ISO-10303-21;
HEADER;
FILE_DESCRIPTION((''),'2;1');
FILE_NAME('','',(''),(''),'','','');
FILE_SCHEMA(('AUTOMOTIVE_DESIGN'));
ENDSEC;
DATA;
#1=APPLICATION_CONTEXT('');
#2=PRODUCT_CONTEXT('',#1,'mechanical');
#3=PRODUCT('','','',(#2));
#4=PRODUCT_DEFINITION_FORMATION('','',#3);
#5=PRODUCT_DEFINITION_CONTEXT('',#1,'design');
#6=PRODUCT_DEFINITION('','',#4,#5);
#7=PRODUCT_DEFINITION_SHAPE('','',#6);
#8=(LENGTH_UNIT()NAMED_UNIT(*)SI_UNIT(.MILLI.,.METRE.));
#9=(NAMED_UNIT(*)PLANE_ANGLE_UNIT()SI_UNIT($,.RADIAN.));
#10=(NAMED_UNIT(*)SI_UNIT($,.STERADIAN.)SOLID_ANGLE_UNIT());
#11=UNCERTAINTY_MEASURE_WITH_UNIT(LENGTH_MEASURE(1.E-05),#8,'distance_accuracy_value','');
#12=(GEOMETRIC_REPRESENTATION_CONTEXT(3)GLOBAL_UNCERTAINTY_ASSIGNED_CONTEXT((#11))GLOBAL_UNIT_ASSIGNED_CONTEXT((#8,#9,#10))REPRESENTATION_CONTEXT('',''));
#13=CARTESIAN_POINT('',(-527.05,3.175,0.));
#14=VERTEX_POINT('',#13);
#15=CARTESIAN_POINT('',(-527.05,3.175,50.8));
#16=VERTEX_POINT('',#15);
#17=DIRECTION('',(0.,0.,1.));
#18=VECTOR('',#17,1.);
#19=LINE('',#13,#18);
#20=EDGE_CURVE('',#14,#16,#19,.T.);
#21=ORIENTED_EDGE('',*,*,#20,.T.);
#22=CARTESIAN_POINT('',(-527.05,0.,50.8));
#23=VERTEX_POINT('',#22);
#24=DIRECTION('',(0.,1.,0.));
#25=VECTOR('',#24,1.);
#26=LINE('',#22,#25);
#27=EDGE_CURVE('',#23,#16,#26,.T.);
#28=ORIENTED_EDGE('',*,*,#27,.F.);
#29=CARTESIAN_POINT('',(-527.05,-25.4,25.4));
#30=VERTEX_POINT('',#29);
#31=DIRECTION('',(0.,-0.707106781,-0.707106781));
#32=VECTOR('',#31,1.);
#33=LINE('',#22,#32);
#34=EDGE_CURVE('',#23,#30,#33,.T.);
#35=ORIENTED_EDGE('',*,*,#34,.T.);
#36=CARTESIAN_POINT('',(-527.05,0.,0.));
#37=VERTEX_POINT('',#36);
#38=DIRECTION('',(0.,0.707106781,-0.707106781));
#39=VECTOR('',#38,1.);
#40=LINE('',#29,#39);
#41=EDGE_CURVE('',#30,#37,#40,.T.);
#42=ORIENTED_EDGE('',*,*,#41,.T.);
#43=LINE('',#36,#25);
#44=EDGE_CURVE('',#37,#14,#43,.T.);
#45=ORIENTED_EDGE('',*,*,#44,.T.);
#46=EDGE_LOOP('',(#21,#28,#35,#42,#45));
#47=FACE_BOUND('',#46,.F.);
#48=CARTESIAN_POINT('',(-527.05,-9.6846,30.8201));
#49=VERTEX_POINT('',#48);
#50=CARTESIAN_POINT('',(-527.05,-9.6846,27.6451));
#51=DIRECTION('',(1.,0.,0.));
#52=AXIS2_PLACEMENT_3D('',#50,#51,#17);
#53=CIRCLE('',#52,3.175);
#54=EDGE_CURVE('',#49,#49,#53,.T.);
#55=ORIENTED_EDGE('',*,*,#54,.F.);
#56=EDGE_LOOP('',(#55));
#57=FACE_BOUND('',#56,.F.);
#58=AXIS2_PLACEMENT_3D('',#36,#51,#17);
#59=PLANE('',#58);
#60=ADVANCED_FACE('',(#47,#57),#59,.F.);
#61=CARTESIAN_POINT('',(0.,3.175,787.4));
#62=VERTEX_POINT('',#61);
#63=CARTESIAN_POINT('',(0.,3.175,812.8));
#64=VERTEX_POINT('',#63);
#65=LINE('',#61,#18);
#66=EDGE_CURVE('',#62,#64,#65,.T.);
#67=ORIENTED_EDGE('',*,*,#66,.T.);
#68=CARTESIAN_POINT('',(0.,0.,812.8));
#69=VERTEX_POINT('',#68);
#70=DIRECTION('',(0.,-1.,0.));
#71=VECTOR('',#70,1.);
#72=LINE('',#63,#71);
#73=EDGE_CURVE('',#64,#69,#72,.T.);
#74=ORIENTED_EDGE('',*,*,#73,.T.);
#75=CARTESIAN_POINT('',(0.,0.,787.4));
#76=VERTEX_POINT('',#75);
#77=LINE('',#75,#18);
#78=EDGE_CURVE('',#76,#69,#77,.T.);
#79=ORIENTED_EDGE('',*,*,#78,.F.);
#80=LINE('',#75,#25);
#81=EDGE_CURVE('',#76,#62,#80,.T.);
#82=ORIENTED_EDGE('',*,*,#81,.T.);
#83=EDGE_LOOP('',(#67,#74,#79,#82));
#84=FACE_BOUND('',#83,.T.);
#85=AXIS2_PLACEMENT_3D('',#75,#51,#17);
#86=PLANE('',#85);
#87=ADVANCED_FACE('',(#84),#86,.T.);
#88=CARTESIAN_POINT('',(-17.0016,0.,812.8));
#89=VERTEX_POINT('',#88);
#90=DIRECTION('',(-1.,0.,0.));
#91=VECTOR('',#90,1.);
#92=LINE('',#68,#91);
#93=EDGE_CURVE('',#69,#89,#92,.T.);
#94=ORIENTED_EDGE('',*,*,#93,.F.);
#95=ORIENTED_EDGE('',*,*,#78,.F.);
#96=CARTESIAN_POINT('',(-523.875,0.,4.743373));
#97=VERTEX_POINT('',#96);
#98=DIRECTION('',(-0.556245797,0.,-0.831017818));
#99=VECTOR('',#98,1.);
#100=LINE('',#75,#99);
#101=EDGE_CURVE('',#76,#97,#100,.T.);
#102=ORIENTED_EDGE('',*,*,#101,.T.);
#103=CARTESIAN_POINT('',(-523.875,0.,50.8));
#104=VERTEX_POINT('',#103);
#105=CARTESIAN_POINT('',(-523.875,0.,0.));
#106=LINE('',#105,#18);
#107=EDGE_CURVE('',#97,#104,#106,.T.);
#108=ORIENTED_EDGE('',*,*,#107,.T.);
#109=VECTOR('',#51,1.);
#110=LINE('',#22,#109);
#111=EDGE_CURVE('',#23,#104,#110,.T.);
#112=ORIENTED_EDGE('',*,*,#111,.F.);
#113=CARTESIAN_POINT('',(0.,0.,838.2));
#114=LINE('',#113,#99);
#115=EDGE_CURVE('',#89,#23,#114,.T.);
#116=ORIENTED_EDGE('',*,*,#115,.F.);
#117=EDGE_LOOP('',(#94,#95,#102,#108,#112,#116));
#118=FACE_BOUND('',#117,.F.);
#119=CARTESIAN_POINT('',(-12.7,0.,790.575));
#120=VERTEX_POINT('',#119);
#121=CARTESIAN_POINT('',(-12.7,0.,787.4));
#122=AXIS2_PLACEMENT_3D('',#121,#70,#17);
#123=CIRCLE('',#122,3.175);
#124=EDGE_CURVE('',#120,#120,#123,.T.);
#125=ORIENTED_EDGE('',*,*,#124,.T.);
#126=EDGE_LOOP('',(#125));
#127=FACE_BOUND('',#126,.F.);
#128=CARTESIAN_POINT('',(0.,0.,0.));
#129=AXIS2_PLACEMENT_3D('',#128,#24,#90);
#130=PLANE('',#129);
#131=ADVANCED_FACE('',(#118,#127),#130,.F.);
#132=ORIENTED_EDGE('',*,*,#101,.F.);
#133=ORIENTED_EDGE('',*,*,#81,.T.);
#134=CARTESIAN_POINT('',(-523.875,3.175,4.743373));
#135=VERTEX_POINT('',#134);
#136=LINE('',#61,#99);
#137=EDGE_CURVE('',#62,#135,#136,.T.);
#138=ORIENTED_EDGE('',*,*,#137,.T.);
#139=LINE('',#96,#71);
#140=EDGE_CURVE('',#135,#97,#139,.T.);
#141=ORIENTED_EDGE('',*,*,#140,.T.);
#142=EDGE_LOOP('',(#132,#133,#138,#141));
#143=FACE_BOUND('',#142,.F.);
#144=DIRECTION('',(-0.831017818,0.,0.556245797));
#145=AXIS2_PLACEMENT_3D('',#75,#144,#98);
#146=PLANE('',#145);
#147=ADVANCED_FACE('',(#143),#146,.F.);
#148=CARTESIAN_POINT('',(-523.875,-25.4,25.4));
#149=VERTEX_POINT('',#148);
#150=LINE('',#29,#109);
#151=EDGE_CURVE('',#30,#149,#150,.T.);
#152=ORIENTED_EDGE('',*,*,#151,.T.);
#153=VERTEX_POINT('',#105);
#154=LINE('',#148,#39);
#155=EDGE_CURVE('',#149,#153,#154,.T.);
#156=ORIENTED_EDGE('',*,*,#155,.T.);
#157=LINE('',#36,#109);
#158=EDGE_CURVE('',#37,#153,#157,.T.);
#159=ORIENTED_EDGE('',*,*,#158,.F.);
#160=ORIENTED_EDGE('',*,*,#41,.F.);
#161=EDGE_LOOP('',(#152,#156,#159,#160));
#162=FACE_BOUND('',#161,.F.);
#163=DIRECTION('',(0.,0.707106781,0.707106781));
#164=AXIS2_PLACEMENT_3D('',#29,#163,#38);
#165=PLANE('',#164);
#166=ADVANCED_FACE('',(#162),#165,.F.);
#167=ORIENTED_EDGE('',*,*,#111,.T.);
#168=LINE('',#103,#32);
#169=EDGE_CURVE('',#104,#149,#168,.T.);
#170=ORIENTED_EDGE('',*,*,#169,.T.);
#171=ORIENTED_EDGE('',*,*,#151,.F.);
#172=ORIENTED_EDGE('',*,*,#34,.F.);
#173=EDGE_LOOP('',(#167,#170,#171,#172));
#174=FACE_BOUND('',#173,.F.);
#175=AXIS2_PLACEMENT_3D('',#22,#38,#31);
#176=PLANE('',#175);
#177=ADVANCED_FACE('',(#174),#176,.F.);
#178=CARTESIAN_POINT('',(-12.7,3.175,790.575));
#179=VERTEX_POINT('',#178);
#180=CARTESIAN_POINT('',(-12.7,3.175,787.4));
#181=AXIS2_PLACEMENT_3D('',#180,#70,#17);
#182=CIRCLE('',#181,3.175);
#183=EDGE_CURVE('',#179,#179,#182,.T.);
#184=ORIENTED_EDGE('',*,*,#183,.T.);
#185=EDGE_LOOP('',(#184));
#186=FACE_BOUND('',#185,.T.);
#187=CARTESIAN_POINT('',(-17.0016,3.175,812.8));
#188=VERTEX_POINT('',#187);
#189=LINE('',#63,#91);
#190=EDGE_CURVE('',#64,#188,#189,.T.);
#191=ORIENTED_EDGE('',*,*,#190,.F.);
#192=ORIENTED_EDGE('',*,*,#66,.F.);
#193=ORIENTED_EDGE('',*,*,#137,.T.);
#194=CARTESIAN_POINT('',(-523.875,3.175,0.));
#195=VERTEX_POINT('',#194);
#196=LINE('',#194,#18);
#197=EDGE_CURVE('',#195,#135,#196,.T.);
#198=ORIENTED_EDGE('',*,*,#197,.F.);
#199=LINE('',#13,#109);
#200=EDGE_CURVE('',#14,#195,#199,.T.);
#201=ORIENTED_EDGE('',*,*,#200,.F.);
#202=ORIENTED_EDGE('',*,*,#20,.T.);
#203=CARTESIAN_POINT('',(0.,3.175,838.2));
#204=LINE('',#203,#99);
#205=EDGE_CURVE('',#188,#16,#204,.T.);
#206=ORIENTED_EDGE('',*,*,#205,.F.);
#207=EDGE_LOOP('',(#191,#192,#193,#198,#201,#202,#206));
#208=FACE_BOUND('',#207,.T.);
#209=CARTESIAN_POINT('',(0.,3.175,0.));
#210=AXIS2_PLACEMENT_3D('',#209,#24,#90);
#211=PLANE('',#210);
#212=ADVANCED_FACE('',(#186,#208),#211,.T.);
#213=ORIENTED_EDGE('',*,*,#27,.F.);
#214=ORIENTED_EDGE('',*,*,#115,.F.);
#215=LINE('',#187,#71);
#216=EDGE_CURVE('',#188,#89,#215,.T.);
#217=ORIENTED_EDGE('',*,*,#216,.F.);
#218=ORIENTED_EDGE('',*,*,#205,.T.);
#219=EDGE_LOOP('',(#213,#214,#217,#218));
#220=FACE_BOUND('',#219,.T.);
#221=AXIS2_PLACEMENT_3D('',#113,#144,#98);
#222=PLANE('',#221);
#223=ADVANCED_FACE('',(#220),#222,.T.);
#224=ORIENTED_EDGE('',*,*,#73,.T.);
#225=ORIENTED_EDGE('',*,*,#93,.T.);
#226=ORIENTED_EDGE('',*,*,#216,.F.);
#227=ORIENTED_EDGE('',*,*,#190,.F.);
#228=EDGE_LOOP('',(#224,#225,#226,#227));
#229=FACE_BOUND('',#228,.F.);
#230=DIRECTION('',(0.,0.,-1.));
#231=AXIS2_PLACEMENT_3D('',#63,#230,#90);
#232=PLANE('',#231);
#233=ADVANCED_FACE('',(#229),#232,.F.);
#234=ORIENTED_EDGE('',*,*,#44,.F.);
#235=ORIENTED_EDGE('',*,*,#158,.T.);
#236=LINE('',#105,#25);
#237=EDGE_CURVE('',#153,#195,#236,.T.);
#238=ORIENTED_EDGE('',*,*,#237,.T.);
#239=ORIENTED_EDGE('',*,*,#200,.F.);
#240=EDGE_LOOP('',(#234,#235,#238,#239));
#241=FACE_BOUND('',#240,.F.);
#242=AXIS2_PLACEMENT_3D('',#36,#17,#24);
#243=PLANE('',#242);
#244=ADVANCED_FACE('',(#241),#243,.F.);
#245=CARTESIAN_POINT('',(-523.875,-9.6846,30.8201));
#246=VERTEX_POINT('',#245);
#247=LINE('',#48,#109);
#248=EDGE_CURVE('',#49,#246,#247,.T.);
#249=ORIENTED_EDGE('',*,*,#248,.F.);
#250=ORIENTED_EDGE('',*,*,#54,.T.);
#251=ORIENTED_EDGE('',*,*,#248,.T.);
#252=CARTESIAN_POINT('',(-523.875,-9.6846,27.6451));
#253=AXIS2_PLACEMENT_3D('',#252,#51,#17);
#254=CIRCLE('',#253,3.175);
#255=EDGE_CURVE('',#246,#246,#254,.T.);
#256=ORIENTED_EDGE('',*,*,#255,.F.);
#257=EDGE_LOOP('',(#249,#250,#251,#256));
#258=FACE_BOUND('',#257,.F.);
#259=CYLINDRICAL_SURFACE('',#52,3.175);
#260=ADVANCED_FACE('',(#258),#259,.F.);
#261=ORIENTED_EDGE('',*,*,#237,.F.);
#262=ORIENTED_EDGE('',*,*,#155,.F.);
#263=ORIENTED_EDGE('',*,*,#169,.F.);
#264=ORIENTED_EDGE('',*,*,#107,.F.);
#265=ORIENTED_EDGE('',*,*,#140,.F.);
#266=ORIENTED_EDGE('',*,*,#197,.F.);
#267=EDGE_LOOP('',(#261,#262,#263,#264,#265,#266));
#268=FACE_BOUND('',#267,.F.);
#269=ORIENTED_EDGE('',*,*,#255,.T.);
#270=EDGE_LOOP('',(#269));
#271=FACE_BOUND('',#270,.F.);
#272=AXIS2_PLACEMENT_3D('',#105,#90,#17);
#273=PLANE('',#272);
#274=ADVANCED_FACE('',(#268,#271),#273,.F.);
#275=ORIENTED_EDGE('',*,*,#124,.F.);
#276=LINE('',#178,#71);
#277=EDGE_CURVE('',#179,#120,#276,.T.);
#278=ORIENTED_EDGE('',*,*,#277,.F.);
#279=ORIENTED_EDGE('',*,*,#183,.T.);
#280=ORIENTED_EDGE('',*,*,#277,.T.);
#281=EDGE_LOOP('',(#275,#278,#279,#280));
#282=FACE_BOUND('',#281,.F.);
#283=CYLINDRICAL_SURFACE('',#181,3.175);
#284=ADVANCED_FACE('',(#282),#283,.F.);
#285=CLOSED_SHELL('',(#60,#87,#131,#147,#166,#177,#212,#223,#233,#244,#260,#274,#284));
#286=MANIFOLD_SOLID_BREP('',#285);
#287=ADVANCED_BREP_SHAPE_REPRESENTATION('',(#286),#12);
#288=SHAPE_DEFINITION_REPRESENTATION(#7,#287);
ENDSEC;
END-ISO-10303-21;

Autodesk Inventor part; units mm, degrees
ref_plane "YZ Plane" through (0, 0, 0) normal (1, 0, 0) x (0, 1, 0)
ref_plane "XZ Plane" through (0, 0, 0) normal (0, 1, 0) x (-1, 0, 0)
ref_plane "XY Plane" through (0, 0, 0) normal (0, 0, 1) x (1, 0, 0)
sketch "Sketch1" plane through (0, 0, 0) normal (0, 1, 0) x (-1, 0, 0)
  line L0 (0, 0) -> (527.05, 0) construction
  line L1 (527.05, 0) -> (527.05, 787.4) construction
  line L2 (527.05, 787.4) -> (0, 787.4) construction
  line L3 (0, 787.4) -> (0, 0) construction
  line L4 (0, 787.4) -> (527.05, 0)
  line L5 (527.05, 0) -> (527.05, 50.8)
  line L6 (527.05, 0) -> (577.85, 0) construction
  line L7 (0, 787.4) -> (0, 838.2)
  line L8 (0, 787.4) -> (50.8, 787.4) construction
  line L9 (0, 838.2) -> (527.05, 50.8)
  dimension "d0" = 527.05
  dimension "d1" = 787.4
  dimension "d2" = 50.8
  dimension "d3" = 90
  dimension "d4" = 50.8
  dimension "d5" = 90
extrude "Extrusion1" add sketch "Sketch1" along normal blind 3.175
sketch "Sketch6" plane through (-527.05, 0, 0) normal (-1, 0, 0) x (0, 0, 1)
  line L0 (50.8, 0) -> (0, 0) projected
  line L1 (50.8, 0) -> (50.8, 3.175) projected
  line L2 (0, 3.175) -> (50.8, 3.175) projected
  line L3 (0, 0) -> (0, 3.175) projected
  line L4 (50.8, 0) -> (25.4, -25.4)
  line L5 (50.8, 0) -> (86.721, 0) construction
  line L6 (25.4, -25.4) -> (0, 0)
  dimension "d33" = 135
extrude "Extrusion4" add sketch "Sketch6" against normal blind 3.175
sketch "Sketch8" plane through (0, 3.175, 0) normal (0, 1, 0) x (1, 0, 0)
  line L0 (-527.05, 0) -> (-527.05, -50.8) projected
  line L1 (-527.05, -50.8) -> (0, -838.2) projected
  line L2 (0, -838.2) -> (0, -787.4) projected
  line L3 (0, -787.4) -> (-523.875, -4.7434) projected
  line L4 (-523.875, 0) -> (-523.875, -4.7434) projected
  line L5 (-527.05, 0) -> (-523.875, 0) projected
  line L6 (0, -838.2) -> (0, -812.8)
  line L7 (0, -787.4) -> (0, -838.2) projected
  line L8 (0, -812.8) -> (-17.0016, -812.8)
  line L9 (-17.0016, -812.8) -> (0, -838.2)
  line L10 (0, -838.2) -> (-527.05, -50.8) projected
  point P0 (0, 0)
extrude "Extrusion6" cut sketch "Sketch8" against normal blind 3.175 contours L8 L2 L1
sketch "Sketch9" plane through (-527.05, 0, 50.8) normal (-1, 0, 0) x (0, 0, 1)
  line L0 (0, 0) -> (0, 3.175) projected
  line L1 (-50.8, 3.175) -> (0, 3.175) projected
  line L2 (-50.8, 0) -> (-50.8, 3.175) projected
  line L3 (-50.8, 0) -> (-25.4, -25.4) projected
  line L4 (-25.4, -25.4) -> (0, 0) projected
  point P0 (-23.1549, -9.6846)
  dimension "d40" = 12.7
  dimension "d41" = 9.525
hole "Hole3" at (-527.05, -9.6846, 27.6451) direction (1, 0, 0) diameter 6.35 end through all
sketch "Sketch10" plane through (0, 3.175, 0) normal (0, 1, 0) x (1, 0, 0)
  line L0 (-17.0016, -812.8) -> (0, -812.8) projected
  line L1 (0, -812.8) -> (0, -787.4) projected
  line L2 (0, -787.4) -> (-523.875, -4.7434) projected
  line L3 (-523.875, 0) -> (-523.875, -4.7434) projected
  line L4 (-527.05, 0) -> (-523.875, 0) projected
  line L5 (-527.05, 0) -> (-527.05, -50.8) projected
  line L6 (-527.05, -50.8) -> (-17.0016, -812.8) projected
  point P0 (0, 0)
  point P1 (-12.7, -787.4)
  dimension "d52" = 12.7
  dimension "d53" = 25.4
hole "Hole4" at (-12.7, 3.175, 787.4) direction (0, -1, 0) diameter 6.35 end through all
properties part number "cross brace"
